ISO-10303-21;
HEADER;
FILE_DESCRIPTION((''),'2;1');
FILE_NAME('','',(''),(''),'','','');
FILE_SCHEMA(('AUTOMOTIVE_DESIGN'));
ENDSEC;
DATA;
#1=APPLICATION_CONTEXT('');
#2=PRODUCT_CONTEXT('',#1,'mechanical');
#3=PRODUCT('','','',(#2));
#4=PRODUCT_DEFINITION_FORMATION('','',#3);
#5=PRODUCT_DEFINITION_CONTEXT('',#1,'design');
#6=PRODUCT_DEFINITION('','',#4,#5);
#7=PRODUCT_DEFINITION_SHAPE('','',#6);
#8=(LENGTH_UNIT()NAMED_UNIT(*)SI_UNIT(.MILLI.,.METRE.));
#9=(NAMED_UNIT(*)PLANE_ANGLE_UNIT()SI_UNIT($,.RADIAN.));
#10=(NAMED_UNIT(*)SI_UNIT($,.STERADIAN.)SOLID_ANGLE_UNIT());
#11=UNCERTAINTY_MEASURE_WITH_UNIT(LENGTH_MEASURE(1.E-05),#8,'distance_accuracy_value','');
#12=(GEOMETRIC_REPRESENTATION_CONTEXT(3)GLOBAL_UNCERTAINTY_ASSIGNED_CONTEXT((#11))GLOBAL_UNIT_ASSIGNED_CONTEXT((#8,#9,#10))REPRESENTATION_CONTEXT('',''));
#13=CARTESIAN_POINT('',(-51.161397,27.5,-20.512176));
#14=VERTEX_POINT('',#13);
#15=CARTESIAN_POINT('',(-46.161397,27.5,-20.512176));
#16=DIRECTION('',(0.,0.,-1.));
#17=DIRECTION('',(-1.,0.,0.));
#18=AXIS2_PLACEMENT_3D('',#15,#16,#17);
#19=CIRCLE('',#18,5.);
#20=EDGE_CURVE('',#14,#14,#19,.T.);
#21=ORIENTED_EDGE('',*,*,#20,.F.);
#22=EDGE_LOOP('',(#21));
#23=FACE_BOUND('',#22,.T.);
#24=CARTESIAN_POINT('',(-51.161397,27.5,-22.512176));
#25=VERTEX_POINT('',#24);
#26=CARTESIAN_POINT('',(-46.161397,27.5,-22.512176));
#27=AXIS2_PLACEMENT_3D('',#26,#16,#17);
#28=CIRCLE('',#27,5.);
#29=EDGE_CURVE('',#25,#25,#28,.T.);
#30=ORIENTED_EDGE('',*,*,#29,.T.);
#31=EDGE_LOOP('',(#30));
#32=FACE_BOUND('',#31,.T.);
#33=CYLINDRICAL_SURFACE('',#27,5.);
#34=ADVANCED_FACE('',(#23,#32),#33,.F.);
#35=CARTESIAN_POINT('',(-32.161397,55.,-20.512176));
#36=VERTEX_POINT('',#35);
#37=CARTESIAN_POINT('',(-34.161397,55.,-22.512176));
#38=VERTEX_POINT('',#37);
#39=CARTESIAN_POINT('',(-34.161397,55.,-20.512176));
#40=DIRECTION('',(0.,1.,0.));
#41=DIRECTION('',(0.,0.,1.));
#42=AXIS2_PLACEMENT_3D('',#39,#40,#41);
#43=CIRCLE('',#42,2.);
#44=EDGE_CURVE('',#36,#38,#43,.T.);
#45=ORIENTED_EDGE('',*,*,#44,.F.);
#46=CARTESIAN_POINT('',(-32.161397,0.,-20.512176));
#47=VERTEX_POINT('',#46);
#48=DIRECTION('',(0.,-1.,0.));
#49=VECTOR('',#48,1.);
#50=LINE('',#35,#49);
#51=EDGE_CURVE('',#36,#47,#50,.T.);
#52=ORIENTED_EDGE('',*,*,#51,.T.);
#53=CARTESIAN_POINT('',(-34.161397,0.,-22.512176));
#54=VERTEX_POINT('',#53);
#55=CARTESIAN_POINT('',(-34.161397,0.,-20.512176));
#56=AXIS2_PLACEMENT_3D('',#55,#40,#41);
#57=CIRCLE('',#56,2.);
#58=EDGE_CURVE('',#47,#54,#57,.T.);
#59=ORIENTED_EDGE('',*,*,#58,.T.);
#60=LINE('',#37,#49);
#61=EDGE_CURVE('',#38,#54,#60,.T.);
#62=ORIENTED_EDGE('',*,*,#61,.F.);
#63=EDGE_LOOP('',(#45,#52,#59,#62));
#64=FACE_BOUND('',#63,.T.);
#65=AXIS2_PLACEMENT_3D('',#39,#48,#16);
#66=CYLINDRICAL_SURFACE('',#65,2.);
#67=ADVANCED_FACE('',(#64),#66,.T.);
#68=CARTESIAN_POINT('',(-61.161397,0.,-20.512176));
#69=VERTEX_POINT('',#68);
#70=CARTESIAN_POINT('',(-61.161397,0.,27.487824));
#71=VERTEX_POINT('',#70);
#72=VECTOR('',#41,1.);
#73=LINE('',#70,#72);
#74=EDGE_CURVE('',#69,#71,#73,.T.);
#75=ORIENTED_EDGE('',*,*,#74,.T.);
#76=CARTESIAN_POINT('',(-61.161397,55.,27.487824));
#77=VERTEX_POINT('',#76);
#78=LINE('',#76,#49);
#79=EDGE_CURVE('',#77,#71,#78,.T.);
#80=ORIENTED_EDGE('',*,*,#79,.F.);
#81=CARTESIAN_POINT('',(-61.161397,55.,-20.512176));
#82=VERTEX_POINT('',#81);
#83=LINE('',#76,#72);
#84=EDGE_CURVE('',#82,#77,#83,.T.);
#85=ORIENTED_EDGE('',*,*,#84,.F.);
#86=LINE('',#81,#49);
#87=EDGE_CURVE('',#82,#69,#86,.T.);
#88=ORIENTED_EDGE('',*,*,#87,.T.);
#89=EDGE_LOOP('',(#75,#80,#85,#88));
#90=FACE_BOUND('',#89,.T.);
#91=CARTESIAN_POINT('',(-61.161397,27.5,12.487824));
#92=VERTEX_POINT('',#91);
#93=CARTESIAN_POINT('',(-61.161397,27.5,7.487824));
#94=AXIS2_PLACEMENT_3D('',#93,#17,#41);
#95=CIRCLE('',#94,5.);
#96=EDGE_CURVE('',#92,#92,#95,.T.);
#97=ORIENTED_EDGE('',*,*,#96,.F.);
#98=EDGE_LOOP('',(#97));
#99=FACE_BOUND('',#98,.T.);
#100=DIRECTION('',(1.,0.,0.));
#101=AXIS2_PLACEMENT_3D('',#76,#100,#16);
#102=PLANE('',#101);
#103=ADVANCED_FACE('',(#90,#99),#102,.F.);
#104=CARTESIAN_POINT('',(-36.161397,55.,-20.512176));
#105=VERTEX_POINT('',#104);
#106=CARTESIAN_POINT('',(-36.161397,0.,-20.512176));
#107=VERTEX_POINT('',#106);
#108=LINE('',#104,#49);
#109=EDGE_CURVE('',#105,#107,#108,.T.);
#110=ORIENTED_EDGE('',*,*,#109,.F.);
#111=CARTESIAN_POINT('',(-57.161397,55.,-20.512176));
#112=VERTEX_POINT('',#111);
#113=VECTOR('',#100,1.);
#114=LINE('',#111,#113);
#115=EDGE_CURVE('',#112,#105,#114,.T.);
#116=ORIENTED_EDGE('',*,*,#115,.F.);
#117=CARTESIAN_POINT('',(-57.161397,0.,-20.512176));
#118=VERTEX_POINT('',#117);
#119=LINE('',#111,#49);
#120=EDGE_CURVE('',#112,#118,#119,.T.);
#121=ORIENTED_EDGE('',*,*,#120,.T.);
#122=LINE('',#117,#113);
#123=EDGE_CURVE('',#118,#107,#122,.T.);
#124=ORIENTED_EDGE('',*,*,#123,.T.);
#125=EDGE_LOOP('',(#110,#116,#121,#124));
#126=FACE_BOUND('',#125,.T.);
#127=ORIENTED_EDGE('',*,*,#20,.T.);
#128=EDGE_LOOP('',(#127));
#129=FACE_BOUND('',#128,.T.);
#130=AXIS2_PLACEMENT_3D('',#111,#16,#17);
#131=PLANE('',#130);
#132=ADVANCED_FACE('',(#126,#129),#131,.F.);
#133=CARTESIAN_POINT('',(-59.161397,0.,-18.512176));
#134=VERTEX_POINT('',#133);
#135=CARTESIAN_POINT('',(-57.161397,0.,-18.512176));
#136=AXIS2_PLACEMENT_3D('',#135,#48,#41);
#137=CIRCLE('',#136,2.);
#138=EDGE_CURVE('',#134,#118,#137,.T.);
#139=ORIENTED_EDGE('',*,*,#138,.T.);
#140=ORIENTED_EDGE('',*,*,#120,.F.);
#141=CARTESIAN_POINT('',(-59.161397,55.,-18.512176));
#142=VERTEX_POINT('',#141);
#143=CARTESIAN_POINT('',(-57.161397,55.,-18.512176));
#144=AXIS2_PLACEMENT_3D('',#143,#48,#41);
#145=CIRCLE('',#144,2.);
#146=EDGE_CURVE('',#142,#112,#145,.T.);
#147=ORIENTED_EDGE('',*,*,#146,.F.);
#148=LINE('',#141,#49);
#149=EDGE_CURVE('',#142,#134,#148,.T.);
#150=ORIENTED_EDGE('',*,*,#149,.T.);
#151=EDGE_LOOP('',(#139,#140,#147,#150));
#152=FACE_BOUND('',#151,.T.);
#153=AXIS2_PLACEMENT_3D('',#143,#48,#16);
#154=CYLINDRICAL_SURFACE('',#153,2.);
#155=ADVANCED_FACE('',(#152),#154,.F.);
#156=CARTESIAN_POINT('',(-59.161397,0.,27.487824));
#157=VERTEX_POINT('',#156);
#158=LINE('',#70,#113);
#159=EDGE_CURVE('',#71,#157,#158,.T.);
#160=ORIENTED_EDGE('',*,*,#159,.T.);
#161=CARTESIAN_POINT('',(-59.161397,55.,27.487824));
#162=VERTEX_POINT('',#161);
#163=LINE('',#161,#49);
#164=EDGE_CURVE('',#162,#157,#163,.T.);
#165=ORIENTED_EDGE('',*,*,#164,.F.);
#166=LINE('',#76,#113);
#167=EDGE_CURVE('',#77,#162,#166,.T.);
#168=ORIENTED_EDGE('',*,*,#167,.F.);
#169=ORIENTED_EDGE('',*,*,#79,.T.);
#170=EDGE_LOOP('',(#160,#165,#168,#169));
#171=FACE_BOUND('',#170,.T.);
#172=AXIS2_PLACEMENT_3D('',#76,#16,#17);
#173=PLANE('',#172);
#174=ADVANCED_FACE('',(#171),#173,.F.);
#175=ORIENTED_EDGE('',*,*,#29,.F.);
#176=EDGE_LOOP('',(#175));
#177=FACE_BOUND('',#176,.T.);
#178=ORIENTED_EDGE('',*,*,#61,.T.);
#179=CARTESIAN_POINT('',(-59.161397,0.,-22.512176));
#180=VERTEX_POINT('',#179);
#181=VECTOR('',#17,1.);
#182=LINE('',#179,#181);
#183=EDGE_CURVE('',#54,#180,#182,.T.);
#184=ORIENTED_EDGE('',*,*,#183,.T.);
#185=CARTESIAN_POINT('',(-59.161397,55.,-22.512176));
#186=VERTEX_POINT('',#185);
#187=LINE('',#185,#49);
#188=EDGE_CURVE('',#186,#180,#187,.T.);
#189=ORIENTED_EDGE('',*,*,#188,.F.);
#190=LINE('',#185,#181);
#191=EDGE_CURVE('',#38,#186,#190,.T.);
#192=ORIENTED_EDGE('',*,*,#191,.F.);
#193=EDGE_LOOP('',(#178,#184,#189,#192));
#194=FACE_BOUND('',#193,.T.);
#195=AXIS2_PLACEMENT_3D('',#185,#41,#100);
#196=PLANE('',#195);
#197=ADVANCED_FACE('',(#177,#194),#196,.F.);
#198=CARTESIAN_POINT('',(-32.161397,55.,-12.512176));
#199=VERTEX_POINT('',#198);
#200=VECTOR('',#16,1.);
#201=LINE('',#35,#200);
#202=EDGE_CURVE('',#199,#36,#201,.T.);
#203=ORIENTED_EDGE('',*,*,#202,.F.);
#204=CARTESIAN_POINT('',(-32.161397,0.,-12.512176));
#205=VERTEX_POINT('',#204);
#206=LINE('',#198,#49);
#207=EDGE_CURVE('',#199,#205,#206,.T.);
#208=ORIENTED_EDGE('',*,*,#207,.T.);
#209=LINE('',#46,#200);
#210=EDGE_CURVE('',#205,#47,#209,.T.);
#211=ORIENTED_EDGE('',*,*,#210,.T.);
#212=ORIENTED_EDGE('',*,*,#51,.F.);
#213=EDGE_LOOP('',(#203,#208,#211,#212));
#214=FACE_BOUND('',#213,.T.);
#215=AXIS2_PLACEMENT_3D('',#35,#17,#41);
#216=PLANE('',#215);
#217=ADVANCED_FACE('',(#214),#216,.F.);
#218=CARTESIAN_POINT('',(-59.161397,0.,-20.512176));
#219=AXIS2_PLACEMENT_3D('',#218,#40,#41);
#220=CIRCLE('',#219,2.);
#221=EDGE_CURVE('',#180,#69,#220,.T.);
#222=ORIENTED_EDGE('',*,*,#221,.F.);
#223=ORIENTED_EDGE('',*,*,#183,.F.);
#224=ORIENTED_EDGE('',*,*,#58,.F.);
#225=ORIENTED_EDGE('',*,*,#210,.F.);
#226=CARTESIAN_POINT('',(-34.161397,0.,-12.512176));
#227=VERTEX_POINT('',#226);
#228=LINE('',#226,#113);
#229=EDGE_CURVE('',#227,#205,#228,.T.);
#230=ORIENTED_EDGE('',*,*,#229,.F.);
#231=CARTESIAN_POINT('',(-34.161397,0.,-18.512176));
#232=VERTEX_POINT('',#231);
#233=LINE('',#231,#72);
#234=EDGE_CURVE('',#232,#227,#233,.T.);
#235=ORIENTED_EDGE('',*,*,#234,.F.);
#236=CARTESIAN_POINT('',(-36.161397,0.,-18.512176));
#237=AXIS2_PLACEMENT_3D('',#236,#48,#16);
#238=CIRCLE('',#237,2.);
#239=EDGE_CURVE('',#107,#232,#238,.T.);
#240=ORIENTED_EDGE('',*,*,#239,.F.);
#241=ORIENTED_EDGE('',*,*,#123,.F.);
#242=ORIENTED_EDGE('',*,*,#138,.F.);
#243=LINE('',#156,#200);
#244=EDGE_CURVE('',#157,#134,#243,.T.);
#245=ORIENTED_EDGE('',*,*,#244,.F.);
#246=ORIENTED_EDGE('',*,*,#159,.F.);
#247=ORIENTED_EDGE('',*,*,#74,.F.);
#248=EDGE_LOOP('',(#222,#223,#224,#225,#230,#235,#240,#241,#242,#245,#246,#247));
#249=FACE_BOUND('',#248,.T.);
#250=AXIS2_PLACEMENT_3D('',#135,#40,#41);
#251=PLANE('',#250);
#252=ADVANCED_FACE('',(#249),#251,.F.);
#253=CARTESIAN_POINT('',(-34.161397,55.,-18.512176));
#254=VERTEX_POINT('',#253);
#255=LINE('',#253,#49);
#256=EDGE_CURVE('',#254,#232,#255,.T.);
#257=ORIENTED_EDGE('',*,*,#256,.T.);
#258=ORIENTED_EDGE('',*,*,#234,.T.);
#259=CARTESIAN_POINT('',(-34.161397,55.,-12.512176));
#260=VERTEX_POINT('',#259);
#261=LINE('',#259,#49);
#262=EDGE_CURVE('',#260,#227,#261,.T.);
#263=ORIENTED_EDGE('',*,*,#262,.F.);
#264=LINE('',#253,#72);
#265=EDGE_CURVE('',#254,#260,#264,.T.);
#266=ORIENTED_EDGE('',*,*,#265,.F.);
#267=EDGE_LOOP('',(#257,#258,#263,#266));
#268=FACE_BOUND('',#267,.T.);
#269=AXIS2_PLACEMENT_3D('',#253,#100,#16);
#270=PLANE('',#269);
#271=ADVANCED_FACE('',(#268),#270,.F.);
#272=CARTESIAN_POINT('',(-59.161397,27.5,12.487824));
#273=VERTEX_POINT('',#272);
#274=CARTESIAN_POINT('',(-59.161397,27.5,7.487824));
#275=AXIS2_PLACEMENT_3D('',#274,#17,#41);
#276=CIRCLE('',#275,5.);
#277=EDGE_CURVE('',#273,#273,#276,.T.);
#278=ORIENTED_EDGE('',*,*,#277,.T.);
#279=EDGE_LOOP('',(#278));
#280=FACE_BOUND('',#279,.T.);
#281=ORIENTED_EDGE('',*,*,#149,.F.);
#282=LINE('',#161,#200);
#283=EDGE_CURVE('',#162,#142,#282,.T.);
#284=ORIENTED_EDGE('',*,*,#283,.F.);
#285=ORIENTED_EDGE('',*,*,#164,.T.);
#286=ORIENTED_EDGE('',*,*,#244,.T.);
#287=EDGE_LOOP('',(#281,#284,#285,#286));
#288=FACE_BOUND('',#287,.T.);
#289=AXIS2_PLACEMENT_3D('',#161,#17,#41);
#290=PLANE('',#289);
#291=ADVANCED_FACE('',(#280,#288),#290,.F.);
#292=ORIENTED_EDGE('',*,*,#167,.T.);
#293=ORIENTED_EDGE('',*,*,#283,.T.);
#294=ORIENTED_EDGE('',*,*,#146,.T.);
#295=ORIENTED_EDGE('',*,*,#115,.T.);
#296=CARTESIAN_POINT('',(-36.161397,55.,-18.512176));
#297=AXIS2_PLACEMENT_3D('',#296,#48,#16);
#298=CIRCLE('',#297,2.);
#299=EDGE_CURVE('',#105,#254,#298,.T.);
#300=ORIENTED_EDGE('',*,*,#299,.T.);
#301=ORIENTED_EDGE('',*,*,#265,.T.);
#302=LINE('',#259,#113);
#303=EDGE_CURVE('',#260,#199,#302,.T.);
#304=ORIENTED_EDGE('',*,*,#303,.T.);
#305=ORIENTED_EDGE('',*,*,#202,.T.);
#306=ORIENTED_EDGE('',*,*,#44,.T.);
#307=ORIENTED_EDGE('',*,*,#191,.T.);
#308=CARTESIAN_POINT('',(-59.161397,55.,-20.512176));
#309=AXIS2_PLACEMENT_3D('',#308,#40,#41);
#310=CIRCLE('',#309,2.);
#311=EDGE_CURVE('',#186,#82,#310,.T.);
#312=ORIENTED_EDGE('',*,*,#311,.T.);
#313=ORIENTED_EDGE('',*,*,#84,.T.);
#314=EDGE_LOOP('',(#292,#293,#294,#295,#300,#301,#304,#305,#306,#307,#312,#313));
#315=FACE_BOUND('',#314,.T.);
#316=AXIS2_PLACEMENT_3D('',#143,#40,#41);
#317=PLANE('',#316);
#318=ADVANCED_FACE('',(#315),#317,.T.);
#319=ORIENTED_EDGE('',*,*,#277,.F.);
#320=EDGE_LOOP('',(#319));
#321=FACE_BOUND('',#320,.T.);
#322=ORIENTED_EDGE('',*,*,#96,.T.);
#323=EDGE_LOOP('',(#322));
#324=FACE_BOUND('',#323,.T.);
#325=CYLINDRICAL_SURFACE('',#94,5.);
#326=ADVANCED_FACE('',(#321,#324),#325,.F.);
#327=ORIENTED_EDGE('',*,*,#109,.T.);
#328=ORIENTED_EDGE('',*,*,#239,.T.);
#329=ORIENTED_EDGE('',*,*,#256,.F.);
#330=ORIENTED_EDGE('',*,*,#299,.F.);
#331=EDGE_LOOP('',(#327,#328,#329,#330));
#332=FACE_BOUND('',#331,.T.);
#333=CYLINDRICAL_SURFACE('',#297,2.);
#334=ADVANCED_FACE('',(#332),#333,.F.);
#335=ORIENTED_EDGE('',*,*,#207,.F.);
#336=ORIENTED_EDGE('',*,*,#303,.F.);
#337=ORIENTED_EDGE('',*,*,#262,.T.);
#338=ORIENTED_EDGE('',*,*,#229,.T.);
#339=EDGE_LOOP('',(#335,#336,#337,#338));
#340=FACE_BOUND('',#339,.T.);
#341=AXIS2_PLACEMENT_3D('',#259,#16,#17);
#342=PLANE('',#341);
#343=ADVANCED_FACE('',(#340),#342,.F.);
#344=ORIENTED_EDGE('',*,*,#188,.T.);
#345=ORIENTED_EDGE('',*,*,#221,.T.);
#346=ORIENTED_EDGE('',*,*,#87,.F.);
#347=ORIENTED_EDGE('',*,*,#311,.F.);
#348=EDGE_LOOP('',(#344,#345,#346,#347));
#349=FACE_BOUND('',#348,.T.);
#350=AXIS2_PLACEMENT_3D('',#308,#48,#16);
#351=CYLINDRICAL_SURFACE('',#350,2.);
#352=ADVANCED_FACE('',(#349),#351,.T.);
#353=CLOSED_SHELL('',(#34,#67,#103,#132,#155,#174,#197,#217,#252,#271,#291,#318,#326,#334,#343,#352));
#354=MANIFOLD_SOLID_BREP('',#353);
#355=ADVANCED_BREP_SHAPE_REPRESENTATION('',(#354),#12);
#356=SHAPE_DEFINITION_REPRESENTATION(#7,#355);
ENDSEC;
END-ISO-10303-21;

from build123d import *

# Parameters (mm, degrees)
BOSS_EXTRUDE1_DEPTH              = 55
M10X1_0_TAPPED_HOLE2_D           = 9
M10X1_0_TAPPED_HOLE2_DEPTH       = 23
M10X1_0_TAPPED_HOLE2_CBORE_D     = 10
M10X1_0_TAPPED_HOLE2_CBORE_DEPTH = 20
M10X1_0_TAPPED_HOLE2_TIP         = 2.703872786
M10X1_0_TAPPED_HOLE1_D           = 9
M10X1_0_TAPPED_HOLE1_DEPTH       = 23
M10X1_0_TAPPED_HOLE1_CBORE_D     = 10
M10X1_0_TAPPED_HOLE1_CBORE_DEPTH = 20
M10X1_0_TAPPED_HOLE1_TIP         = 2.703872786


with BuildPart() as part:
    # Sketch1 → Boss-Extrude1 (new body)
    with BuildSketch(Plane(origin=(0, 0, 0), x_dir=(1, 0, 0), z_dir=(0, 1, 0))):
        with BuildLine():
            Line((-61.161397451, -27.487824391), (-61.161397451, 20.512175609))
            ThreePointArc((-61.161397451, 20.512175609), (-60.575611013, 21.926389171), (-59.161397451, 22.512175609))
            Line((-59.161397451, 22.512175609), (-34.161397451, 22.512175609))
            ThreePointArc((-34.161397451, 22.512175609), (-32.747183888, 21.926389171), (-32.161397451, 20.512175609))
            Line((-32.161397451, 20.512175609), (-32.161397451, 12.512175609))
            Line((-32.161397451, 12.512175609), (-34.161397451, 12.512175609))
            Line((-34.161397451, 12.512175609), (-34.161397451, 18.512175609))
            ThreePointArc((-34.161397451, 18.512175609), (-34.747183888, 19.926389171), (-36.161397451, 20.512175609))
            Line((-36.161397451, 20.512175609), (-57.161397451, 20.512175609))
            ThreePointArc((-57.161397451, 20.512175609), (-58.575611013, 19.926389171), (-59.161397451, 18.512175609))
            Line((-59.161397451, 18.512175609), (-59.161397451, -27.487824391))
            Line((-59.161397451, -27.487824391), (-61.161397451, -27.487824391))
        make_face()
    extrude(amount=BOSS_EXTRUDE1_DEPTH)

    # M10x1.0 Tapped Hole2
    with Locations(Plane(origin=(-46.161397451, 27.5, -22.512175609), x_dir=(-1, 0, 0), z_dir=(0, 0, -1))):
        with Locations((0, 0)):
            CounterBoreHole(M10X1_0_TAPPED_HOLE2_D / 2, M10X1_0_TAPPED_HOLE2_CBORE_D / 2, M10X1_0_TAPPED_HOLE2_CBORE_DEPTH, depth=M10X1_0_TAPPED_HOLE2_DEPTH)
            with Locations((0, 0, -(M10X1_0_TAPPED_HOLE2_DEPTH + M10X1_0_TAPPED_HOLE2_TIP / 2))):  # 118° drill point
                Cone(0, M10X1_0_TAPPED_HOLE2_D / 2, M10X1_0_TAPPED_HOLE2_TIP, mode=Mode.SUBTRACT)

    # M10x1.0 Tapped Hole1
    with Locations(Plane(origin=(-61.161397451, 27.5, 7.487824391), x_dir=(0, 0, -1), z_dir=(-1, 0, 0))):
        with Locations((0, 0)):
            CounterBoreHole(M10X1_0_TAPPED_HOLE1_D / 2, M10X1_0_TAPPED_HOLE1_CBORE_D / 2, M10X1_0_TAPPED_HOLE1_CBORE_DEPTH, depth=M10X1_0_TAPPED_HOLE1_DEPTH)
            with Locations((0, 0, -(M10X1_0_TAPPED_HOLE1_DEPTH + M10X1_0_TAPPED_HOLE1_TIP / 2))):  # 118° drill point
                Cone(0, M10X1_0_TAPPED_HOLE1_D / 2, M10X1_0_TAPPED_HOLE1_TIP, mode=Mode.SUBTRACT)


solid = part.part
